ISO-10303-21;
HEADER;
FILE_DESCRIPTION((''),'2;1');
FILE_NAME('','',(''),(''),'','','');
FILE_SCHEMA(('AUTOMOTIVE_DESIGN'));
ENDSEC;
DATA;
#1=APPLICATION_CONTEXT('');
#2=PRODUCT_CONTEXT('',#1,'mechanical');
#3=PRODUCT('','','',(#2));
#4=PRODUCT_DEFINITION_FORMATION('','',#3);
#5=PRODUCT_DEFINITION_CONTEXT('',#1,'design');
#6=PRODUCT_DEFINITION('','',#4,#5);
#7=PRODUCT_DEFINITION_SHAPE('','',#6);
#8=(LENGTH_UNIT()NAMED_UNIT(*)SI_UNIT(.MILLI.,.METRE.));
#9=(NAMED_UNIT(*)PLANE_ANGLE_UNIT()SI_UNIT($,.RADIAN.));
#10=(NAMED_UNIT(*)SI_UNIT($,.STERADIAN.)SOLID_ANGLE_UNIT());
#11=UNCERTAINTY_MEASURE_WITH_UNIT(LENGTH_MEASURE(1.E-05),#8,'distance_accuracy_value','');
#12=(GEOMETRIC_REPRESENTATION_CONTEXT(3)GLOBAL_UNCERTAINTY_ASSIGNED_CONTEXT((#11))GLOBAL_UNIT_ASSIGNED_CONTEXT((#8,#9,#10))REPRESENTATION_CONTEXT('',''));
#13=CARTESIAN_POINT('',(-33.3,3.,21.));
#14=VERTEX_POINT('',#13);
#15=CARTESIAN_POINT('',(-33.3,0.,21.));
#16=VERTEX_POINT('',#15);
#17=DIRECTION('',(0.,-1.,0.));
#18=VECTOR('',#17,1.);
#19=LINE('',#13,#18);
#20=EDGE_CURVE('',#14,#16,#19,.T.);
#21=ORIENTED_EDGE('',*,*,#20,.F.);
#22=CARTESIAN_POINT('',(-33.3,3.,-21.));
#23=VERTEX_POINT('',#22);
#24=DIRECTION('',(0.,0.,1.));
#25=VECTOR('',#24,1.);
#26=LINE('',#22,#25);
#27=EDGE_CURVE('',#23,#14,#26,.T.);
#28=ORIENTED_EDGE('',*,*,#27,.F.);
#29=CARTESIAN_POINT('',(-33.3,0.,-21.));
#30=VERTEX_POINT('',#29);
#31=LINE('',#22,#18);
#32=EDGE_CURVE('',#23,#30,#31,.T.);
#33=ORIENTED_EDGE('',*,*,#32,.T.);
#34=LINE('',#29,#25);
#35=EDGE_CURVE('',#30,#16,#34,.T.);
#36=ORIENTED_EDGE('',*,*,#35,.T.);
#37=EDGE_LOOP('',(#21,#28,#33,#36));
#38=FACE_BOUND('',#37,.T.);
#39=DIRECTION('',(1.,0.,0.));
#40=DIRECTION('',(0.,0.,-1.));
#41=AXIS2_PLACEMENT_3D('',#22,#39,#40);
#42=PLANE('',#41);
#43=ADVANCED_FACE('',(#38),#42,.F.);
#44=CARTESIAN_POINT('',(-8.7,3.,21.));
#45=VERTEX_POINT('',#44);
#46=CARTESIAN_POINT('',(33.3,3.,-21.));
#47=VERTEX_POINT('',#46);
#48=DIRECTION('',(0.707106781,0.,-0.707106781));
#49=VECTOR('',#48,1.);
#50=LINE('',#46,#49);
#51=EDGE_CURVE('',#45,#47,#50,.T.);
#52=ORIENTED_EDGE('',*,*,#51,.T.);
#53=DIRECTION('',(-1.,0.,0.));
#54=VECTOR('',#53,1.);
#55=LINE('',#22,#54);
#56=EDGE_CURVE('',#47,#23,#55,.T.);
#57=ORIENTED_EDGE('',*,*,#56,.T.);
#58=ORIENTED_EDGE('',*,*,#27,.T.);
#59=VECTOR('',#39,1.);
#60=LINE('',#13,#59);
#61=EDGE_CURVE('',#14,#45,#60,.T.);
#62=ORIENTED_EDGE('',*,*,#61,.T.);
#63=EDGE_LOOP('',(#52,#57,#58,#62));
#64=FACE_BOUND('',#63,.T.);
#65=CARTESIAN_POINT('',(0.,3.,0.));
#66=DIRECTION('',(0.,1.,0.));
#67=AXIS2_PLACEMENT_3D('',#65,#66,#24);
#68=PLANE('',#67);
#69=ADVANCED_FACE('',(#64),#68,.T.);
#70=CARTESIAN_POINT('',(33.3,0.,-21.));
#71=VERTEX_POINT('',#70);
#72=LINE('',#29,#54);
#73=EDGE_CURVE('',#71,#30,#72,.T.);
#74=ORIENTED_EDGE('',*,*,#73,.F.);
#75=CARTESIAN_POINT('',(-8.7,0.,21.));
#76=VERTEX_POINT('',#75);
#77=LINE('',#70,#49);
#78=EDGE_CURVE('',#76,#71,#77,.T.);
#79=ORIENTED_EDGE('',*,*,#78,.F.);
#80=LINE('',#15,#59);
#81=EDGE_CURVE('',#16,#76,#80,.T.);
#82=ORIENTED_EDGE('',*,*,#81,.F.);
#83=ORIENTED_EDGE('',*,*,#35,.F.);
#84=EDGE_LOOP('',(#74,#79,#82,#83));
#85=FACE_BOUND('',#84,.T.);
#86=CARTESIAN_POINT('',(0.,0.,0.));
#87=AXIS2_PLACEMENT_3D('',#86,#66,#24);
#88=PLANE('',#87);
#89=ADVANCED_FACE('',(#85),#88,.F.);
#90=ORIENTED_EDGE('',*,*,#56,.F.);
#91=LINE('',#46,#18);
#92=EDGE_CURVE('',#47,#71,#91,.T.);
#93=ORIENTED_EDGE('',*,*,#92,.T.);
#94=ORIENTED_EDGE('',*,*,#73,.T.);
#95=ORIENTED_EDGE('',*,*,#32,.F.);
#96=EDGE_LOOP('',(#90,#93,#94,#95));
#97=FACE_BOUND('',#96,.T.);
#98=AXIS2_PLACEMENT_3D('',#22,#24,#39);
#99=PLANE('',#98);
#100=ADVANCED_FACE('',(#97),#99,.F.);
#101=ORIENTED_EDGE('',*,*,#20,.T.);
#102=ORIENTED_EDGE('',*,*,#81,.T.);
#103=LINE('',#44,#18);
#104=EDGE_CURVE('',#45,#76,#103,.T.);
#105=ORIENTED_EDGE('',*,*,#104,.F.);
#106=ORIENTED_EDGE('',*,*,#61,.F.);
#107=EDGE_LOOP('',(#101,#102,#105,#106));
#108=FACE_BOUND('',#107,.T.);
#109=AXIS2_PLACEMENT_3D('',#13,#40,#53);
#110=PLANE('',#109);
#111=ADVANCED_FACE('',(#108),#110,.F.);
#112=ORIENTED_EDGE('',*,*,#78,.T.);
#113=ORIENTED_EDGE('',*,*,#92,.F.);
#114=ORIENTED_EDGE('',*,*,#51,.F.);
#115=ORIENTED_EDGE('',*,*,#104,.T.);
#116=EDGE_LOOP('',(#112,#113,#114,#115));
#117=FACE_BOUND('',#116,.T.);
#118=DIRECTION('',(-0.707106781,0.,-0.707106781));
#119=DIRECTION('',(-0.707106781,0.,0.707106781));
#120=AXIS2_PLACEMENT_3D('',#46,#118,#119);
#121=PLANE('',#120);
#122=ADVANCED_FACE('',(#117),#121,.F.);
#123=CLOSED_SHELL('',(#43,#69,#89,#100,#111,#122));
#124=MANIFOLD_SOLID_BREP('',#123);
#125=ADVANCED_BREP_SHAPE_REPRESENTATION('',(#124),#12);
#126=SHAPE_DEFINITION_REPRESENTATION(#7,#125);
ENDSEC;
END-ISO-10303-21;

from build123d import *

# Parameters (mm, degrees)
BOSS_EXTRUDE1_DEPTH = 3


with BuildPart() as part:
    # Sketch1 → Boss-Extrude1 (new body)
    with BuildSketch(Plane(origin=(0, 0, 0), x_dir=(1, 0, 0), z_dir=(0, 1, 0))):
        Polygon((33.3, 21), (-8.7, -21), (-33.3, -21), (-33.3, 21), align=None)
    extrude(amount=BOSS_EXTRUDE1_DEPTH)


solid = part.part
